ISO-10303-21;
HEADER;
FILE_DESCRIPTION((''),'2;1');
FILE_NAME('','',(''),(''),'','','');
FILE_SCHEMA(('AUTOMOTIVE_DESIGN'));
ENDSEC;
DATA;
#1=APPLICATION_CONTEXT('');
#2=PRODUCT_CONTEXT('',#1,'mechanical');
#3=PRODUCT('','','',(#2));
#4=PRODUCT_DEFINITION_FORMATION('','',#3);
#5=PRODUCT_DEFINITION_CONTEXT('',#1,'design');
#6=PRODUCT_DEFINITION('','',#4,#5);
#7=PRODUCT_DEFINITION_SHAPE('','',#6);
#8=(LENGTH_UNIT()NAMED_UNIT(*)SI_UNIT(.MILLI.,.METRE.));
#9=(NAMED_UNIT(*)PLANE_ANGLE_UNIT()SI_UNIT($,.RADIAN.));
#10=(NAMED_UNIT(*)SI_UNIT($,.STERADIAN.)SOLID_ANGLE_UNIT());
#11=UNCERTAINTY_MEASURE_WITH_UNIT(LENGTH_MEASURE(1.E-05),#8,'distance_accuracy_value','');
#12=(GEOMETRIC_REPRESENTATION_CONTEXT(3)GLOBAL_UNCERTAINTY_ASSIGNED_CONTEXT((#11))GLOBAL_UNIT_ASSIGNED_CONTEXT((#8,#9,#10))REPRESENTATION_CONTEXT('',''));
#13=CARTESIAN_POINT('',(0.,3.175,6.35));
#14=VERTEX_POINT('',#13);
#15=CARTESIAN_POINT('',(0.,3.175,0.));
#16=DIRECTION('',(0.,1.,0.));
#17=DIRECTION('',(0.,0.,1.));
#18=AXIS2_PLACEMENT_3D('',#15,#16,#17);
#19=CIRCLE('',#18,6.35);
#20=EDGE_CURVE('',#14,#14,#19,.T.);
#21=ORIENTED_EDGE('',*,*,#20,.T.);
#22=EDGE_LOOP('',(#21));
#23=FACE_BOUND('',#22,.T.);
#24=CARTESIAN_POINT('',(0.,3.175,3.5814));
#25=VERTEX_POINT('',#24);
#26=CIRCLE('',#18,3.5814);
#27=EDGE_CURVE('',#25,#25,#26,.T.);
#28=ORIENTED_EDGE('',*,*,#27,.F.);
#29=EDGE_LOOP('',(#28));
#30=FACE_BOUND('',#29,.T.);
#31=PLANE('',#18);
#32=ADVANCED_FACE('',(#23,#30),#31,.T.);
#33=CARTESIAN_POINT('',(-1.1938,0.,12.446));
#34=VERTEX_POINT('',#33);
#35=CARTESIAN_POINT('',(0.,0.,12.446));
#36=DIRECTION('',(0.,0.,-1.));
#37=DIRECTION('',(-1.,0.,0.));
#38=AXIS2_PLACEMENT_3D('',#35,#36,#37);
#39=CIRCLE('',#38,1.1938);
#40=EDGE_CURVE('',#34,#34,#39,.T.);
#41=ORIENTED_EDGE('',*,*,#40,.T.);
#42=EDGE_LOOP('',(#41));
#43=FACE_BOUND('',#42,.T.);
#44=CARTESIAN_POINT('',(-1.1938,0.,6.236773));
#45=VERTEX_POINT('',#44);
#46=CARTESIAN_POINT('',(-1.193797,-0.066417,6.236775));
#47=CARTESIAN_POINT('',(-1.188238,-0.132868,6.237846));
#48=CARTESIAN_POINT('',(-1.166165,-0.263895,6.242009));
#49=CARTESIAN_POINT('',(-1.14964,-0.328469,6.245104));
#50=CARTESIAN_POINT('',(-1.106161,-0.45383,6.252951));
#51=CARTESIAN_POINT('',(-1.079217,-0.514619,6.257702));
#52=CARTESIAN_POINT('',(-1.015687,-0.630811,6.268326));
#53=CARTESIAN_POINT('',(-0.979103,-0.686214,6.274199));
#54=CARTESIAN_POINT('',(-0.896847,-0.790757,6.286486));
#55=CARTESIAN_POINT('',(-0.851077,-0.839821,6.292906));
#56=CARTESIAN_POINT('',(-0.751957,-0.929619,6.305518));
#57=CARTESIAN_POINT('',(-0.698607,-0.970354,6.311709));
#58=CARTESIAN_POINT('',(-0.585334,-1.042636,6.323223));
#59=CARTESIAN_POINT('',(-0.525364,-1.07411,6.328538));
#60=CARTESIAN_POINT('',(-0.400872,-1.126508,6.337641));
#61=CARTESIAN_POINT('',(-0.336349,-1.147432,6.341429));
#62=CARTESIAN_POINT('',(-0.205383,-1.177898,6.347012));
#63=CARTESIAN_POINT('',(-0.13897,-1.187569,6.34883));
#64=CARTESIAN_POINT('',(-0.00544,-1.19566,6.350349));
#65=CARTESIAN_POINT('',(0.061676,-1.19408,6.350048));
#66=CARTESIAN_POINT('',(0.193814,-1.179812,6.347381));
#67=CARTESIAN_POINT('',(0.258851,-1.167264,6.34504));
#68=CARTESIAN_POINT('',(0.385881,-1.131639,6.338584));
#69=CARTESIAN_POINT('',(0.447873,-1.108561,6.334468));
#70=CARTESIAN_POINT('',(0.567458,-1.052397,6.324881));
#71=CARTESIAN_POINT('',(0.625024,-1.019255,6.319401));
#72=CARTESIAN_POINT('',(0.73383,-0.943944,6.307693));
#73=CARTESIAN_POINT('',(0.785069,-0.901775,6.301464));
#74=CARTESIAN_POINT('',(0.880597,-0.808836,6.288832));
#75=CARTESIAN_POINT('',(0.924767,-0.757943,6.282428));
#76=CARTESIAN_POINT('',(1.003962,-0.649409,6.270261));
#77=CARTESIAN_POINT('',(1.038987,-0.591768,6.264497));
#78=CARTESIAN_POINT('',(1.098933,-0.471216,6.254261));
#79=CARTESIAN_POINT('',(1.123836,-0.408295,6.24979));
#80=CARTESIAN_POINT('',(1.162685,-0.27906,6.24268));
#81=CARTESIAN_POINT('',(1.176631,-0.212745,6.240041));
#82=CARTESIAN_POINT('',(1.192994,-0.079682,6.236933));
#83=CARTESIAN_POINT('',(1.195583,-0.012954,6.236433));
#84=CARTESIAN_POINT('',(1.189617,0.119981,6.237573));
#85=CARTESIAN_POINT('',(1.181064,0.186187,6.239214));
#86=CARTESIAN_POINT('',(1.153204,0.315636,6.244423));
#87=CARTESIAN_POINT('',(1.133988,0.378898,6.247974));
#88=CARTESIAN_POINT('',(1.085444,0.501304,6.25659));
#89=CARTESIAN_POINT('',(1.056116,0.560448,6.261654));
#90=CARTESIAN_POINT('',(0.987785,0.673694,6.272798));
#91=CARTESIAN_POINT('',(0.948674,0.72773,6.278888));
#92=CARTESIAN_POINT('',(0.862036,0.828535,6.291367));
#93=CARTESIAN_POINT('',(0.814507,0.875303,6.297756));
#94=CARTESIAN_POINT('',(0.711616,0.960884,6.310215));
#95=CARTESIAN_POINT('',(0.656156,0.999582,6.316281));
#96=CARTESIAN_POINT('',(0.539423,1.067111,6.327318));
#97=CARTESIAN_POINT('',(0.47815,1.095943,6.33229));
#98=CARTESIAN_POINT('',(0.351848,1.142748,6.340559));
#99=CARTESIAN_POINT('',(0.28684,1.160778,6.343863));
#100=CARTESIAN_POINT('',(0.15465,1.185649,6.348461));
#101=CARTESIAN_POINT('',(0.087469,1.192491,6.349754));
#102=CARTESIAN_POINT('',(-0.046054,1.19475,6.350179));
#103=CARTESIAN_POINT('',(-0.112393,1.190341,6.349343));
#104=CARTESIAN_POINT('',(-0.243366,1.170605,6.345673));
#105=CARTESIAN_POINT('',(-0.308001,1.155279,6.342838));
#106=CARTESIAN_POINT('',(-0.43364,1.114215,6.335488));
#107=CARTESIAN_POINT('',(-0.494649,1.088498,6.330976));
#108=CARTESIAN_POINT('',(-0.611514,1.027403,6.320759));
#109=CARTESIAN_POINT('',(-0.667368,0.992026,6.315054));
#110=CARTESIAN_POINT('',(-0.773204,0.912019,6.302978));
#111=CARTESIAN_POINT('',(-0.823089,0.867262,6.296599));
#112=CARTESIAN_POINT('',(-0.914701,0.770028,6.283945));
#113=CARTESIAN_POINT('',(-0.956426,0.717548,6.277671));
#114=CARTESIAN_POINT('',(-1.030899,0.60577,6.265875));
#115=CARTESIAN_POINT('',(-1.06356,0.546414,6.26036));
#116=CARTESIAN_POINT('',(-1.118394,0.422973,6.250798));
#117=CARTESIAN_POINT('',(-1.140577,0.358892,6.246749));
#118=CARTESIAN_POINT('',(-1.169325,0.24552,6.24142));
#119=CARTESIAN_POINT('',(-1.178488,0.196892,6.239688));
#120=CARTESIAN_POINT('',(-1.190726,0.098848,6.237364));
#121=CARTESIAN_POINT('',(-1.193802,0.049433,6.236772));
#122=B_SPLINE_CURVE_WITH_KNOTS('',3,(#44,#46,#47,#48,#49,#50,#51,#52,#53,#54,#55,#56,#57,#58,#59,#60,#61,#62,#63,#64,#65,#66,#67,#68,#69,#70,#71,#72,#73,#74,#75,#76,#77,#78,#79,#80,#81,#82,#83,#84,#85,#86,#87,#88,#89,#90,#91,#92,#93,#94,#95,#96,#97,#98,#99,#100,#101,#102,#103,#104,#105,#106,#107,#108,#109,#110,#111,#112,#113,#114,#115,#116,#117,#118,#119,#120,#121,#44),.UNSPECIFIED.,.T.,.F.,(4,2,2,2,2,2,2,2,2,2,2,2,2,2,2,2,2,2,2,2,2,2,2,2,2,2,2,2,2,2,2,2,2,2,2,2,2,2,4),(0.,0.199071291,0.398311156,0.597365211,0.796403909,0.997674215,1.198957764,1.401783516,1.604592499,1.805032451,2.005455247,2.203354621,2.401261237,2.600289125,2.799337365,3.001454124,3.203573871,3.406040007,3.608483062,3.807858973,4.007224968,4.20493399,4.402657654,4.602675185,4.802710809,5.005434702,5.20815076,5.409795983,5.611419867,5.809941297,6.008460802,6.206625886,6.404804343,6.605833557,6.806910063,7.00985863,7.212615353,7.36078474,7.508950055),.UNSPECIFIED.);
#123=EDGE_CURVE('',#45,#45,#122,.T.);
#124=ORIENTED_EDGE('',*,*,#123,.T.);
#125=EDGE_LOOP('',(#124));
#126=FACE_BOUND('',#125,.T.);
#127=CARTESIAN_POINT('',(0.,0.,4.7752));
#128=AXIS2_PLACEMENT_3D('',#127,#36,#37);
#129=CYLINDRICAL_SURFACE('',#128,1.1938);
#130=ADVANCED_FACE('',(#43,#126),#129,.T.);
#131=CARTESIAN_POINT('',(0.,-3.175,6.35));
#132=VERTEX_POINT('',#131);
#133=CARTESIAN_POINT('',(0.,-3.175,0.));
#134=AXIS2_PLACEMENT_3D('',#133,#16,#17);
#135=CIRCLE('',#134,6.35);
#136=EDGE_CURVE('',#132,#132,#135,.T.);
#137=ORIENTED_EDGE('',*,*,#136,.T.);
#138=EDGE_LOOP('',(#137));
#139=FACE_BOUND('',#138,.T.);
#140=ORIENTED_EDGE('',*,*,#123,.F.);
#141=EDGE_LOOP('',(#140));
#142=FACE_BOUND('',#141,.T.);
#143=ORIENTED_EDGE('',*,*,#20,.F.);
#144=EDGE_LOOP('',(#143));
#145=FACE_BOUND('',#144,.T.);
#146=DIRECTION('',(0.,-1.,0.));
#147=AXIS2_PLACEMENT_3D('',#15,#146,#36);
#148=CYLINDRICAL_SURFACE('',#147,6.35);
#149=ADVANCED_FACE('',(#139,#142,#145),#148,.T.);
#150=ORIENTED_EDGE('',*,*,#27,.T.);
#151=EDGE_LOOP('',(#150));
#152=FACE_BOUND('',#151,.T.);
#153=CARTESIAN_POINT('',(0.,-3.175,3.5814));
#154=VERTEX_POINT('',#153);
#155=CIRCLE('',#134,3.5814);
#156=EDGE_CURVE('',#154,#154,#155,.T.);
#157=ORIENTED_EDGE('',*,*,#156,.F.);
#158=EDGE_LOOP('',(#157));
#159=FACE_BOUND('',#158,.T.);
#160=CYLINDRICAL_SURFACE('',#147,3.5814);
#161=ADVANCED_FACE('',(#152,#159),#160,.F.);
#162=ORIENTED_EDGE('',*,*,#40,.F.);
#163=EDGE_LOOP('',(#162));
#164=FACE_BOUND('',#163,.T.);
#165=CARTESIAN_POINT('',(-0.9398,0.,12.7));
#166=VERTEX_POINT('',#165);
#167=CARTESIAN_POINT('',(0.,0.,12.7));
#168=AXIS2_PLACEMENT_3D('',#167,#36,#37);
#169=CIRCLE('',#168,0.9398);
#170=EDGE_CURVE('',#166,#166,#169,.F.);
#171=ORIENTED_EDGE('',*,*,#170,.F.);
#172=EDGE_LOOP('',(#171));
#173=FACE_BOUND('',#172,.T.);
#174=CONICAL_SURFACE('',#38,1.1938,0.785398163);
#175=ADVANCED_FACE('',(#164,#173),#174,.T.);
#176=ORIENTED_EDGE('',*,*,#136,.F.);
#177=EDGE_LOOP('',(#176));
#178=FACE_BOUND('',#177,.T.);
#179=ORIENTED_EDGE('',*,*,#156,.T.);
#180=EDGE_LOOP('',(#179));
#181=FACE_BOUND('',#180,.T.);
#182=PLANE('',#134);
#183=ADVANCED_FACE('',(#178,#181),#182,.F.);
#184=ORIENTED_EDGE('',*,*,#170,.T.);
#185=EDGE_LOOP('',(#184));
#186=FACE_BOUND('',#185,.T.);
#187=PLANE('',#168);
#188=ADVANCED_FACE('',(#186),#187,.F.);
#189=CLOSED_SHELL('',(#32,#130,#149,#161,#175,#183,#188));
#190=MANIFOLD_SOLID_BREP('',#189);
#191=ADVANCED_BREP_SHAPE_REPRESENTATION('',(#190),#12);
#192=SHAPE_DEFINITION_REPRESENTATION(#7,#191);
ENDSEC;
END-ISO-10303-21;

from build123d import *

# Parameters (mm, degrees)
SKETCH1_R           = 6.35
SKETCH1_R_2         = 3.5814
EXTRUDE1_DEPTH      = 3.175
EXTRUDE1_DEPTH_BACK = 3.175
SKETCH4_W           = 1.1938
SKETCH4_H           = 7.9248
CHAMFER1_SIZE       = 0.254


with BuildPart() as part:
    # Sketch1 → Extrude1 (new, two sides)
    with BuildSketch(Plane(origin=(0, 0, 0), x_dir=(1, 0, 0), z_dir=(0, 1, 0))) as extrude1_sk:
        with Locations(Location((0, 0, 0), (0, 0, 270))):
            Circle(SKETCH1_R)
        with Locations(Location((0, 0, 0), (0, 0, 270))):
            Circle(SKETCH1_R_2, mode=Mode.SUBTRACT)
    extrude(amount=EXTRUDE1_DEPTH)
    extrude(extrude1_sk.sketch, amount=-EXTRUDE1_DEPTH_BACK)

    # Sketch4 → Revolve1 (revolve)
    with BuildSketch(Plane(origin=(0, 0, 0), x_dir=(1, 0, 0), z_dir=(0, 1, 0)), mode=Mode.PRIVATE) as revolve1_sk:
        with Locations((0.5969, -8.7376)):
            Rectangle(SKETCH4_W, SKETCH4_H)
    revolve(revolve1_sk.sketch.rotate(Axis((0, 0, 4.7752), (0, 0, 1)), 180), axis=Axis((0, 0, 4.7752), (0, 0, 1)))

    # Chamfer1
    chamfer1_edges = [part.edges().sort_by_distance(p)[0] for p in [
        (1.1938, 0, 12.7),
    ]]
    chamfer(chamfer1_edges, length=CHAMFER1_SIZE)


solid = part.part
